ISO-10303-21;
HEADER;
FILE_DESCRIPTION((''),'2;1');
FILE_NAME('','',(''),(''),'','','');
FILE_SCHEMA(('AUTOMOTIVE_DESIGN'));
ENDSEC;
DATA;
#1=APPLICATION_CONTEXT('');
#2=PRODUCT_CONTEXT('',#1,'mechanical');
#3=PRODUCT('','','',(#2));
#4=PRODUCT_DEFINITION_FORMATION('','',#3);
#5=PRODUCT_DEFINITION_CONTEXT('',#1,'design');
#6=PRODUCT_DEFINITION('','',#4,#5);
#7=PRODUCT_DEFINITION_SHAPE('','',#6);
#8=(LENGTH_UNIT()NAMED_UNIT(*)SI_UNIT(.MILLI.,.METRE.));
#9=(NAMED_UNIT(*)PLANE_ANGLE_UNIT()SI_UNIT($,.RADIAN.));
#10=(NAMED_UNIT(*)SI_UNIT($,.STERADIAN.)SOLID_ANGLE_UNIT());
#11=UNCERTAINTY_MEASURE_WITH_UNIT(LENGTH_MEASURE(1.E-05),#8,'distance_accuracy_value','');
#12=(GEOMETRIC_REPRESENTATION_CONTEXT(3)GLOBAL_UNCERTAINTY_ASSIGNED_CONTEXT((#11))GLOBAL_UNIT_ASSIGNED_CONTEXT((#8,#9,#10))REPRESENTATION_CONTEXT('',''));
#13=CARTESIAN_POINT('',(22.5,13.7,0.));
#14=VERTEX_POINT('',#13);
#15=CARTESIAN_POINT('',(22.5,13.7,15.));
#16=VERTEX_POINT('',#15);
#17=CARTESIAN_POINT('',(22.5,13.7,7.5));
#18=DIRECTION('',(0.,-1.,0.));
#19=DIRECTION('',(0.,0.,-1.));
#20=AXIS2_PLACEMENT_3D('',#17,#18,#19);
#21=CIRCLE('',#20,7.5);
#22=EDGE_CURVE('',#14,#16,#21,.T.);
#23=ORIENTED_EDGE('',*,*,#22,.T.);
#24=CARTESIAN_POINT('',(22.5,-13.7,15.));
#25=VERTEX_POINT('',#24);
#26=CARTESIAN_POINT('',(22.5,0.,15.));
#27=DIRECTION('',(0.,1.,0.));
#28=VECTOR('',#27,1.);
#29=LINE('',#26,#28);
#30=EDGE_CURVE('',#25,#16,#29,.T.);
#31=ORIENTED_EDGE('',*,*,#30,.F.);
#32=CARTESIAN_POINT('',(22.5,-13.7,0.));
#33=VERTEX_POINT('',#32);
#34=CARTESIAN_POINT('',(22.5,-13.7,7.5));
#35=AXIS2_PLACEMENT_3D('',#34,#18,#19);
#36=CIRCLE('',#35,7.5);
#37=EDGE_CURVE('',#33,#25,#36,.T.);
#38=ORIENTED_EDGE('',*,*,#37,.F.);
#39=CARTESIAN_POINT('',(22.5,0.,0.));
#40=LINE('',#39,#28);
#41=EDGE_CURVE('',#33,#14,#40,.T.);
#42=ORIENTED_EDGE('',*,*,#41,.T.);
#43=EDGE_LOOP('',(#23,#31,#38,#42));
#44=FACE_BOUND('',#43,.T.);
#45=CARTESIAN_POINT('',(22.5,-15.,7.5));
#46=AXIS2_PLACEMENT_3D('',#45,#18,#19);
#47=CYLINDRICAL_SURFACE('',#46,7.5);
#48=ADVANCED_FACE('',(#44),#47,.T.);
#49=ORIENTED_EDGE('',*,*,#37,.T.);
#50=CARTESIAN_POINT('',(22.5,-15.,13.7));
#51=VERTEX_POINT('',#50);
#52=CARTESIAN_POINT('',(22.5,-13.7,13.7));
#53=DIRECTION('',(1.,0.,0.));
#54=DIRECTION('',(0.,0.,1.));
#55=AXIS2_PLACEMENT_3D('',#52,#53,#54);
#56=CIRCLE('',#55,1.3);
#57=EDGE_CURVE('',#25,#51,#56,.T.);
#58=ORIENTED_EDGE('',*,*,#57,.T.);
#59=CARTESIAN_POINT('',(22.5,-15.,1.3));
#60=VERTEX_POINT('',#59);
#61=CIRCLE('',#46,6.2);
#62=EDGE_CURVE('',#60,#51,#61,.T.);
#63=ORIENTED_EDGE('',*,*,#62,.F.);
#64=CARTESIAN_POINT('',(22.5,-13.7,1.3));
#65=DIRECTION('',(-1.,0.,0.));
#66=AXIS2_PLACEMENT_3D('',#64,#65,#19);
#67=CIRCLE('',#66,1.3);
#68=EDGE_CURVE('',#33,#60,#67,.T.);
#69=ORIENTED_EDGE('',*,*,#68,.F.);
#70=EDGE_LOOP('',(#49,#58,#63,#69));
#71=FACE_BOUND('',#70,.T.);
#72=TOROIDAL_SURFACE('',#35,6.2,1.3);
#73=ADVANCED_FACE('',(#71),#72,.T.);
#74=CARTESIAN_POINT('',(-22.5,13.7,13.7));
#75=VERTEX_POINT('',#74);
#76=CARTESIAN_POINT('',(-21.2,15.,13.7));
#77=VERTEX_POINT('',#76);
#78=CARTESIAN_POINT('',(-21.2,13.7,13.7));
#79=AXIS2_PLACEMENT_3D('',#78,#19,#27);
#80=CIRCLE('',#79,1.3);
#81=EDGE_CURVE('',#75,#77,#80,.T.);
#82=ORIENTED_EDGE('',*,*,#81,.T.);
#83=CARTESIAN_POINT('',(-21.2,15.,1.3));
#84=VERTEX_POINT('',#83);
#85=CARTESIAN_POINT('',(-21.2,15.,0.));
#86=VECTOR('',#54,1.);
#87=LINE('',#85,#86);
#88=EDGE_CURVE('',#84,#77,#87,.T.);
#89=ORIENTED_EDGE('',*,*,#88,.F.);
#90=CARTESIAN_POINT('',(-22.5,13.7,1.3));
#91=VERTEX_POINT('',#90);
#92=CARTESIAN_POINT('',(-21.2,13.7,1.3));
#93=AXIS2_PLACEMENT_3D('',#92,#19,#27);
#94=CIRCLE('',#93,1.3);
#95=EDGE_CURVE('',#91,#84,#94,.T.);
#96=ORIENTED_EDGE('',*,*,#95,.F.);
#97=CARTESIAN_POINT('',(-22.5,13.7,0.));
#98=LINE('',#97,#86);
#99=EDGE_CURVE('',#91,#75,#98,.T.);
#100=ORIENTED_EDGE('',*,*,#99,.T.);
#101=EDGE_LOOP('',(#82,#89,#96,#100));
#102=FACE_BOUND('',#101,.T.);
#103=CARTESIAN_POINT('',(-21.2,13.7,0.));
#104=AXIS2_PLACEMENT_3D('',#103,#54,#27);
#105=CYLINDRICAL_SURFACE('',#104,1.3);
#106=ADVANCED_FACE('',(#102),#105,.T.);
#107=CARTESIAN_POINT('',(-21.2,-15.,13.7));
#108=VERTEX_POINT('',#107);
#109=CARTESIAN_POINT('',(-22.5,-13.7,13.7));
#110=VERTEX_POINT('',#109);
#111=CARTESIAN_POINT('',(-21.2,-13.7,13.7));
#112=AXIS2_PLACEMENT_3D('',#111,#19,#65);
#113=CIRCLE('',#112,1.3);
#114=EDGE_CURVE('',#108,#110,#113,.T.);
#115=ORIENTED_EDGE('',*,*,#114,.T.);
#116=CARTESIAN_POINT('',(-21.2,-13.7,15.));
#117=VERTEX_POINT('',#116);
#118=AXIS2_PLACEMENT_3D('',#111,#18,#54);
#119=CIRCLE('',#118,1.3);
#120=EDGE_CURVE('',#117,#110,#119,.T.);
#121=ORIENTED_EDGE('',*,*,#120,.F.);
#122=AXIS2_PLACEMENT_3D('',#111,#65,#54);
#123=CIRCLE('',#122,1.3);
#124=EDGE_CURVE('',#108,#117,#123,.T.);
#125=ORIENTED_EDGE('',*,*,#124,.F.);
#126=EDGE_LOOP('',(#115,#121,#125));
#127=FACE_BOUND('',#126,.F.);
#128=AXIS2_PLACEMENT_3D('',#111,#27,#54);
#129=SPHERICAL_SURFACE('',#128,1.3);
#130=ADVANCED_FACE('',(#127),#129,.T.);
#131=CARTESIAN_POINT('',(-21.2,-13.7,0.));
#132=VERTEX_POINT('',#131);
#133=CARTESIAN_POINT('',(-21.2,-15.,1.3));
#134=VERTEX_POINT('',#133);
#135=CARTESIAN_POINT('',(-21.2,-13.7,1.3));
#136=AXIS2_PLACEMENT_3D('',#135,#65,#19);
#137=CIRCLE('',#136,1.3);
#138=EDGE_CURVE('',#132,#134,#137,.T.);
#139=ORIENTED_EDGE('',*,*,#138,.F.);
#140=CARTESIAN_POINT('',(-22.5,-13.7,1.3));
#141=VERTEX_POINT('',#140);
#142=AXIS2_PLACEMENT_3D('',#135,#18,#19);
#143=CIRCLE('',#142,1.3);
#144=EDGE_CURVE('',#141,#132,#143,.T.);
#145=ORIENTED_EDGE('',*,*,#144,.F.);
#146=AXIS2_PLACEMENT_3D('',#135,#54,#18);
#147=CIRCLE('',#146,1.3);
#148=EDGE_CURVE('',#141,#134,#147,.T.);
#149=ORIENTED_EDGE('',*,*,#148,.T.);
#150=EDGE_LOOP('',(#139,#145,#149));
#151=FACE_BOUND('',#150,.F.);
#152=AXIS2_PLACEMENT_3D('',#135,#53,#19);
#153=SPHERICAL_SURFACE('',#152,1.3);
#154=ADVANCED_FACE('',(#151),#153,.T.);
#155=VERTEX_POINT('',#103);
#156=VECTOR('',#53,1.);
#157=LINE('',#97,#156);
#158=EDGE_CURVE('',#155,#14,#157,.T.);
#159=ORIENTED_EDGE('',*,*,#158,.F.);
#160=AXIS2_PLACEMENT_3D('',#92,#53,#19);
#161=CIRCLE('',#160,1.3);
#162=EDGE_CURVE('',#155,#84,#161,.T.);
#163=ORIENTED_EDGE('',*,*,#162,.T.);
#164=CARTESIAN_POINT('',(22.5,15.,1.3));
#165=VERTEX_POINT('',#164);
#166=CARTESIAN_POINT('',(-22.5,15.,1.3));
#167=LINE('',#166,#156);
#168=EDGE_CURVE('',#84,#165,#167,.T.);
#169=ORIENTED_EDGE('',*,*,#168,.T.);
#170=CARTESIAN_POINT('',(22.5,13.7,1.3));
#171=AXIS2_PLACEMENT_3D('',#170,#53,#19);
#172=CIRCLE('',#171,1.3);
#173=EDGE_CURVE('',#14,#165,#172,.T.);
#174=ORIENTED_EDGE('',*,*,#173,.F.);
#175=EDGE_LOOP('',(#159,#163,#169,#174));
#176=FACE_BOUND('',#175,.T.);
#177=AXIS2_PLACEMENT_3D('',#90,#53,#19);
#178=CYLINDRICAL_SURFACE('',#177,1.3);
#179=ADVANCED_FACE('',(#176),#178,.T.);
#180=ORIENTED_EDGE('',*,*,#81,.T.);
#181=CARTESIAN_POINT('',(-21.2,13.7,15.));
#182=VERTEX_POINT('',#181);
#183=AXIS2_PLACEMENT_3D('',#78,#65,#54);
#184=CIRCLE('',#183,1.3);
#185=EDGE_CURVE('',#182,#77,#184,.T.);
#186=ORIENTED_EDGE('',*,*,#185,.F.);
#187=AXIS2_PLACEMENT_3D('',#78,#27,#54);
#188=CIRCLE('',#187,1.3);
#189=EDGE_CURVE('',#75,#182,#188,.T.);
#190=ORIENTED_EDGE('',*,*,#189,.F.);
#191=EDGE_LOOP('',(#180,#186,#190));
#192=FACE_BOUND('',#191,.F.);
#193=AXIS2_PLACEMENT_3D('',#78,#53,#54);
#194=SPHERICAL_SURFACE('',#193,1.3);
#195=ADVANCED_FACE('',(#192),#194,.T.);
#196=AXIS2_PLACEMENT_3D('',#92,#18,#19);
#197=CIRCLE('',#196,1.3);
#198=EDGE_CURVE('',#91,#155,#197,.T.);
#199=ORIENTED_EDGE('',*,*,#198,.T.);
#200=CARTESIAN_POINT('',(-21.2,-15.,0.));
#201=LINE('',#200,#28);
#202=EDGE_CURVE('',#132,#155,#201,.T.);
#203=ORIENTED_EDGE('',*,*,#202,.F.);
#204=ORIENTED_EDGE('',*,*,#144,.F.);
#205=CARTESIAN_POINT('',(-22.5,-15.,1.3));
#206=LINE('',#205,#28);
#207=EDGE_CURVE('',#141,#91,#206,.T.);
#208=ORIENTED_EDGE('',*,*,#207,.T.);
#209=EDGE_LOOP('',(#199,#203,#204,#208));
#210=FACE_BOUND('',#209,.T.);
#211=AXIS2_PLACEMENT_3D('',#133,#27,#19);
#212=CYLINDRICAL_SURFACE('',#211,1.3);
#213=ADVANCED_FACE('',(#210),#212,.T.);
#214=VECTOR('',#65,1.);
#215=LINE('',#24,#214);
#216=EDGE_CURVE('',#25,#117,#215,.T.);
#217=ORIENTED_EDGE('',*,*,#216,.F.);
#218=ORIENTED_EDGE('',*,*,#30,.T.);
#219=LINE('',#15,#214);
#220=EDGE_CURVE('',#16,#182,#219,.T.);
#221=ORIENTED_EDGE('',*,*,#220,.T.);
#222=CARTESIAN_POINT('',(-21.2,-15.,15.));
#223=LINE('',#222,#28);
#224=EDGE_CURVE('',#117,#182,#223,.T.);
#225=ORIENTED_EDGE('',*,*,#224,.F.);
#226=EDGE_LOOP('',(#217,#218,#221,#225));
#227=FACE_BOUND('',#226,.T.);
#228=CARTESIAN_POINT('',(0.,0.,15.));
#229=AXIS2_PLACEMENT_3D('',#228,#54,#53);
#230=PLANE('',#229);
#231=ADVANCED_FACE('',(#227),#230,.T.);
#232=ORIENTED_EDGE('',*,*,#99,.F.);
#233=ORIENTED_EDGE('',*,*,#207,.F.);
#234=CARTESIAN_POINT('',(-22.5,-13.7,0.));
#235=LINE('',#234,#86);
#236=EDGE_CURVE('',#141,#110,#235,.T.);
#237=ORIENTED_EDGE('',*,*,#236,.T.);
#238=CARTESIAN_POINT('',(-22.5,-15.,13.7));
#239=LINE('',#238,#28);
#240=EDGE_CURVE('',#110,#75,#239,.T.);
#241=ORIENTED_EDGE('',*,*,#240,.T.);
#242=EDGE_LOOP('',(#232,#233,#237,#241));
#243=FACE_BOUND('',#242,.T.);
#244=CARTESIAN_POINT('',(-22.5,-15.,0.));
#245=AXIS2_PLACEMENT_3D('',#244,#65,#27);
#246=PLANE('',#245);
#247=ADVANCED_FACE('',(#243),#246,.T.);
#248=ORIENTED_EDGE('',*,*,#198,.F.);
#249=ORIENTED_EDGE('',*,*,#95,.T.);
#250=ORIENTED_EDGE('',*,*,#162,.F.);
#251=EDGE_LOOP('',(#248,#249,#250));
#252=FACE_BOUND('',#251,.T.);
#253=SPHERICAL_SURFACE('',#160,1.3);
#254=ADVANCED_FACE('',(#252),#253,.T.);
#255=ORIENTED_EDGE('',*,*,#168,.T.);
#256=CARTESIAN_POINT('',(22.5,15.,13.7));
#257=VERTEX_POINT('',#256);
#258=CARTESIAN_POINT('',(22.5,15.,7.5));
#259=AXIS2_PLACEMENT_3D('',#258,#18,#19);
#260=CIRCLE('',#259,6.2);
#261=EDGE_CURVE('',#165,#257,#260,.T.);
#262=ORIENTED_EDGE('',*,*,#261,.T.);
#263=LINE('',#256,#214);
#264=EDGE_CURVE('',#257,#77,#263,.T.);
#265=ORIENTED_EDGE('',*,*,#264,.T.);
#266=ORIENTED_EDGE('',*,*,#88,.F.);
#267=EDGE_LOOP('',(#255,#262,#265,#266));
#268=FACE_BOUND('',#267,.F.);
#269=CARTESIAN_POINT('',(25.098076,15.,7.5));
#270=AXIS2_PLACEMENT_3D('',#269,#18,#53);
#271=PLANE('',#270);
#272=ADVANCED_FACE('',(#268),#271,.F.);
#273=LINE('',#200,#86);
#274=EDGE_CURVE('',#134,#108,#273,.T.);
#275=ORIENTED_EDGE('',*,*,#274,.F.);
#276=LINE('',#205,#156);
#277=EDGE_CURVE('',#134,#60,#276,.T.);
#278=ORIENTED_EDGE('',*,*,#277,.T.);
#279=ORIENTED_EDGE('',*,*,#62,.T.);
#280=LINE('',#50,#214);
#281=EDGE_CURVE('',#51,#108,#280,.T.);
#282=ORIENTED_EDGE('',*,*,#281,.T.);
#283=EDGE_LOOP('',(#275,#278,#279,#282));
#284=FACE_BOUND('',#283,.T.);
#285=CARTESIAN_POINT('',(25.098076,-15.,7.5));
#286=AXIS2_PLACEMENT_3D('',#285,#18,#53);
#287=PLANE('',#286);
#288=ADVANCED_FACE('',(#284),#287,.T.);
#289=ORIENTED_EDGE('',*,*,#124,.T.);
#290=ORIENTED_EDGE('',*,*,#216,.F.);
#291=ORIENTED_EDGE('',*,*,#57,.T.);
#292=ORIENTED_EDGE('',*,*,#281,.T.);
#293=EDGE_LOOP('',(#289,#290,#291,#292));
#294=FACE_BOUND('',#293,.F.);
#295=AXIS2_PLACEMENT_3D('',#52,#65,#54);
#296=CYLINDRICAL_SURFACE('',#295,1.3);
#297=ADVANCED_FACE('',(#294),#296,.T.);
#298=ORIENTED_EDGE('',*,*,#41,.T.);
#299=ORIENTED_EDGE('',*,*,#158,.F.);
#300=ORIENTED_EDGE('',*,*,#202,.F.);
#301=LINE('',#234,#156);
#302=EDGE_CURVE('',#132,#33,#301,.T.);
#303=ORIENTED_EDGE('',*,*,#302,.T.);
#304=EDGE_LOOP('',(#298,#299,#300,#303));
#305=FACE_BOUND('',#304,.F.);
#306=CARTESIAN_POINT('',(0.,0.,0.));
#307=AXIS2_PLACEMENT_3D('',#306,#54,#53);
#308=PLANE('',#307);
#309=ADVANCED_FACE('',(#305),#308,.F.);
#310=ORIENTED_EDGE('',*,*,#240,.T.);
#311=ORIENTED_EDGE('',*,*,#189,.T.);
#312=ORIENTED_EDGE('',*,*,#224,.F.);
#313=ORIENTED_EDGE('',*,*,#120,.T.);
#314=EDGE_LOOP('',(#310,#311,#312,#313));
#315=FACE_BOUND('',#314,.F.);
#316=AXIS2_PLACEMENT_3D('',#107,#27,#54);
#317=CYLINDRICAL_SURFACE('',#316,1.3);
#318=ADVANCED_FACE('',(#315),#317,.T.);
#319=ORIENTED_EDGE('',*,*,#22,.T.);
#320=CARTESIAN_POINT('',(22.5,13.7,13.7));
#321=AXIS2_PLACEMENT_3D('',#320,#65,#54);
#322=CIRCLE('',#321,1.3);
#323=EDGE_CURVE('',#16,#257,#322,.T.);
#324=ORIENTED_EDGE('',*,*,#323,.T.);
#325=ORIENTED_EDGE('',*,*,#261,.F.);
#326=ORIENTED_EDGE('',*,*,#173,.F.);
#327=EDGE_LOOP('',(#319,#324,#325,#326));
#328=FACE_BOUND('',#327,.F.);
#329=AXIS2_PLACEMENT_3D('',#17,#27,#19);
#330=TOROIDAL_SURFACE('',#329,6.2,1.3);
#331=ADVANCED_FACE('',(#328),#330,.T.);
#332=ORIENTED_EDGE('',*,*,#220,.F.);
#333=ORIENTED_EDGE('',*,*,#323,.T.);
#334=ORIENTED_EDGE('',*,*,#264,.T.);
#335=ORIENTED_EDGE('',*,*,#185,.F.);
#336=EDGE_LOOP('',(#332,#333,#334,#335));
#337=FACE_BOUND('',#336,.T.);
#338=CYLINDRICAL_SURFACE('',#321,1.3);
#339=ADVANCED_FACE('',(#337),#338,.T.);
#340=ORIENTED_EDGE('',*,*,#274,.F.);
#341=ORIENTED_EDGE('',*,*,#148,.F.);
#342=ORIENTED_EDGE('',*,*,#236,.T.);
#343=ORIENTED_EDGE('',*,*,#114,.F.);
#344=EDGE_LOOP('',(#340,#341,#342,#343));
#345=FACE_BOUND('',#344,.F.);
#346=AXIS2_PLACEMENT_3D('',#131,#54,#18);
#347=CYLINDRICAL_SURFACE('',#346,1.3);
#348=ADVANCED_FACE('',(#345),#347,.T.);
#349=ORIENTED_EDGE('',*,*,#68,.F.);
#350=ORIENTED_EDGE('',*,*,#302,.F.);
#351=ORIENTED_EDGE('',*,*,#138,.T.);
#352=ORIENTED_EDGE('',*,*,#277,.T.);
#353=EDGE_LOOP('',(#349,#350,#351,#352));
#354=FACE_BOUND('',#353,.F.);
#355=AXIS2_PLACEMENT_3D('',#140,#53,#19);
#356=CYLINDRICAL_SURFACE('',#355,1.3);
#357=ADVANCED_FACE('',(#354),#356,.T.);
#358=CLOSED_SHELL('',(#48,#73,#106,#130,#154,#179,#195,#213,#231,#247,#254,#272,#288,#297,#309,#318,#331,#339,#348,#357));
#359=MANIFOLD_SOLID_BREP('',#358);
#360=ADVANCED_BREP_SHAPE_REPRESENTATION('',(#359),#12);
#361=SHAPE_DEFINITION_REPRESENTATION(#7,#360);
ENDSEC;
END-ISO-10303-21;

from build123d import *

# Parameters (mm, degrees)
F0_W     = 45
F0_H     = 30
F1_DEPTH = 15
F3_DEPTH = 30
F4_R     = 1.3


with BuildPart() as f1:
    # F0 (on Top) → F1 (new body)
    with BuildSketch(Plane.XY):
        Rectangle(F0_W, F0_H)
    extrude(amount=F1_DEPTH)

    # F2 (on face) → F3 (join, through all)
    with BuildSketch(Plane.XZ.offset(15)):
        with BuildLine():
            Line((22.5, 15), (22.5, 0))
            ThreePointArc((22.5, 0), (30, 7.5), (22.5, 15))
        make_face()
    extrude(amount=-F3_DEPTH)

    # F4
    f4_edges = [f1.edges().sort_by_distance(p)[0] for p in [
        (30, 15, 7.5),
        (0, 15, 0),
        (0, 15, 15),
        (22.5, 0, 15),
        (22.5, 0, 0),
        (-22.5, 0, 15),
        (0, -15, 0),
        (0, -15, 15),
        (-22.5, 0, 0),
        (-22.5, -15, 7.5),
        (-22.5, 15, 7.5),
        (30, -15, 7.5),
    ]]
    fillet(f4_edges, radius=F4_R)


solid = f1.part
